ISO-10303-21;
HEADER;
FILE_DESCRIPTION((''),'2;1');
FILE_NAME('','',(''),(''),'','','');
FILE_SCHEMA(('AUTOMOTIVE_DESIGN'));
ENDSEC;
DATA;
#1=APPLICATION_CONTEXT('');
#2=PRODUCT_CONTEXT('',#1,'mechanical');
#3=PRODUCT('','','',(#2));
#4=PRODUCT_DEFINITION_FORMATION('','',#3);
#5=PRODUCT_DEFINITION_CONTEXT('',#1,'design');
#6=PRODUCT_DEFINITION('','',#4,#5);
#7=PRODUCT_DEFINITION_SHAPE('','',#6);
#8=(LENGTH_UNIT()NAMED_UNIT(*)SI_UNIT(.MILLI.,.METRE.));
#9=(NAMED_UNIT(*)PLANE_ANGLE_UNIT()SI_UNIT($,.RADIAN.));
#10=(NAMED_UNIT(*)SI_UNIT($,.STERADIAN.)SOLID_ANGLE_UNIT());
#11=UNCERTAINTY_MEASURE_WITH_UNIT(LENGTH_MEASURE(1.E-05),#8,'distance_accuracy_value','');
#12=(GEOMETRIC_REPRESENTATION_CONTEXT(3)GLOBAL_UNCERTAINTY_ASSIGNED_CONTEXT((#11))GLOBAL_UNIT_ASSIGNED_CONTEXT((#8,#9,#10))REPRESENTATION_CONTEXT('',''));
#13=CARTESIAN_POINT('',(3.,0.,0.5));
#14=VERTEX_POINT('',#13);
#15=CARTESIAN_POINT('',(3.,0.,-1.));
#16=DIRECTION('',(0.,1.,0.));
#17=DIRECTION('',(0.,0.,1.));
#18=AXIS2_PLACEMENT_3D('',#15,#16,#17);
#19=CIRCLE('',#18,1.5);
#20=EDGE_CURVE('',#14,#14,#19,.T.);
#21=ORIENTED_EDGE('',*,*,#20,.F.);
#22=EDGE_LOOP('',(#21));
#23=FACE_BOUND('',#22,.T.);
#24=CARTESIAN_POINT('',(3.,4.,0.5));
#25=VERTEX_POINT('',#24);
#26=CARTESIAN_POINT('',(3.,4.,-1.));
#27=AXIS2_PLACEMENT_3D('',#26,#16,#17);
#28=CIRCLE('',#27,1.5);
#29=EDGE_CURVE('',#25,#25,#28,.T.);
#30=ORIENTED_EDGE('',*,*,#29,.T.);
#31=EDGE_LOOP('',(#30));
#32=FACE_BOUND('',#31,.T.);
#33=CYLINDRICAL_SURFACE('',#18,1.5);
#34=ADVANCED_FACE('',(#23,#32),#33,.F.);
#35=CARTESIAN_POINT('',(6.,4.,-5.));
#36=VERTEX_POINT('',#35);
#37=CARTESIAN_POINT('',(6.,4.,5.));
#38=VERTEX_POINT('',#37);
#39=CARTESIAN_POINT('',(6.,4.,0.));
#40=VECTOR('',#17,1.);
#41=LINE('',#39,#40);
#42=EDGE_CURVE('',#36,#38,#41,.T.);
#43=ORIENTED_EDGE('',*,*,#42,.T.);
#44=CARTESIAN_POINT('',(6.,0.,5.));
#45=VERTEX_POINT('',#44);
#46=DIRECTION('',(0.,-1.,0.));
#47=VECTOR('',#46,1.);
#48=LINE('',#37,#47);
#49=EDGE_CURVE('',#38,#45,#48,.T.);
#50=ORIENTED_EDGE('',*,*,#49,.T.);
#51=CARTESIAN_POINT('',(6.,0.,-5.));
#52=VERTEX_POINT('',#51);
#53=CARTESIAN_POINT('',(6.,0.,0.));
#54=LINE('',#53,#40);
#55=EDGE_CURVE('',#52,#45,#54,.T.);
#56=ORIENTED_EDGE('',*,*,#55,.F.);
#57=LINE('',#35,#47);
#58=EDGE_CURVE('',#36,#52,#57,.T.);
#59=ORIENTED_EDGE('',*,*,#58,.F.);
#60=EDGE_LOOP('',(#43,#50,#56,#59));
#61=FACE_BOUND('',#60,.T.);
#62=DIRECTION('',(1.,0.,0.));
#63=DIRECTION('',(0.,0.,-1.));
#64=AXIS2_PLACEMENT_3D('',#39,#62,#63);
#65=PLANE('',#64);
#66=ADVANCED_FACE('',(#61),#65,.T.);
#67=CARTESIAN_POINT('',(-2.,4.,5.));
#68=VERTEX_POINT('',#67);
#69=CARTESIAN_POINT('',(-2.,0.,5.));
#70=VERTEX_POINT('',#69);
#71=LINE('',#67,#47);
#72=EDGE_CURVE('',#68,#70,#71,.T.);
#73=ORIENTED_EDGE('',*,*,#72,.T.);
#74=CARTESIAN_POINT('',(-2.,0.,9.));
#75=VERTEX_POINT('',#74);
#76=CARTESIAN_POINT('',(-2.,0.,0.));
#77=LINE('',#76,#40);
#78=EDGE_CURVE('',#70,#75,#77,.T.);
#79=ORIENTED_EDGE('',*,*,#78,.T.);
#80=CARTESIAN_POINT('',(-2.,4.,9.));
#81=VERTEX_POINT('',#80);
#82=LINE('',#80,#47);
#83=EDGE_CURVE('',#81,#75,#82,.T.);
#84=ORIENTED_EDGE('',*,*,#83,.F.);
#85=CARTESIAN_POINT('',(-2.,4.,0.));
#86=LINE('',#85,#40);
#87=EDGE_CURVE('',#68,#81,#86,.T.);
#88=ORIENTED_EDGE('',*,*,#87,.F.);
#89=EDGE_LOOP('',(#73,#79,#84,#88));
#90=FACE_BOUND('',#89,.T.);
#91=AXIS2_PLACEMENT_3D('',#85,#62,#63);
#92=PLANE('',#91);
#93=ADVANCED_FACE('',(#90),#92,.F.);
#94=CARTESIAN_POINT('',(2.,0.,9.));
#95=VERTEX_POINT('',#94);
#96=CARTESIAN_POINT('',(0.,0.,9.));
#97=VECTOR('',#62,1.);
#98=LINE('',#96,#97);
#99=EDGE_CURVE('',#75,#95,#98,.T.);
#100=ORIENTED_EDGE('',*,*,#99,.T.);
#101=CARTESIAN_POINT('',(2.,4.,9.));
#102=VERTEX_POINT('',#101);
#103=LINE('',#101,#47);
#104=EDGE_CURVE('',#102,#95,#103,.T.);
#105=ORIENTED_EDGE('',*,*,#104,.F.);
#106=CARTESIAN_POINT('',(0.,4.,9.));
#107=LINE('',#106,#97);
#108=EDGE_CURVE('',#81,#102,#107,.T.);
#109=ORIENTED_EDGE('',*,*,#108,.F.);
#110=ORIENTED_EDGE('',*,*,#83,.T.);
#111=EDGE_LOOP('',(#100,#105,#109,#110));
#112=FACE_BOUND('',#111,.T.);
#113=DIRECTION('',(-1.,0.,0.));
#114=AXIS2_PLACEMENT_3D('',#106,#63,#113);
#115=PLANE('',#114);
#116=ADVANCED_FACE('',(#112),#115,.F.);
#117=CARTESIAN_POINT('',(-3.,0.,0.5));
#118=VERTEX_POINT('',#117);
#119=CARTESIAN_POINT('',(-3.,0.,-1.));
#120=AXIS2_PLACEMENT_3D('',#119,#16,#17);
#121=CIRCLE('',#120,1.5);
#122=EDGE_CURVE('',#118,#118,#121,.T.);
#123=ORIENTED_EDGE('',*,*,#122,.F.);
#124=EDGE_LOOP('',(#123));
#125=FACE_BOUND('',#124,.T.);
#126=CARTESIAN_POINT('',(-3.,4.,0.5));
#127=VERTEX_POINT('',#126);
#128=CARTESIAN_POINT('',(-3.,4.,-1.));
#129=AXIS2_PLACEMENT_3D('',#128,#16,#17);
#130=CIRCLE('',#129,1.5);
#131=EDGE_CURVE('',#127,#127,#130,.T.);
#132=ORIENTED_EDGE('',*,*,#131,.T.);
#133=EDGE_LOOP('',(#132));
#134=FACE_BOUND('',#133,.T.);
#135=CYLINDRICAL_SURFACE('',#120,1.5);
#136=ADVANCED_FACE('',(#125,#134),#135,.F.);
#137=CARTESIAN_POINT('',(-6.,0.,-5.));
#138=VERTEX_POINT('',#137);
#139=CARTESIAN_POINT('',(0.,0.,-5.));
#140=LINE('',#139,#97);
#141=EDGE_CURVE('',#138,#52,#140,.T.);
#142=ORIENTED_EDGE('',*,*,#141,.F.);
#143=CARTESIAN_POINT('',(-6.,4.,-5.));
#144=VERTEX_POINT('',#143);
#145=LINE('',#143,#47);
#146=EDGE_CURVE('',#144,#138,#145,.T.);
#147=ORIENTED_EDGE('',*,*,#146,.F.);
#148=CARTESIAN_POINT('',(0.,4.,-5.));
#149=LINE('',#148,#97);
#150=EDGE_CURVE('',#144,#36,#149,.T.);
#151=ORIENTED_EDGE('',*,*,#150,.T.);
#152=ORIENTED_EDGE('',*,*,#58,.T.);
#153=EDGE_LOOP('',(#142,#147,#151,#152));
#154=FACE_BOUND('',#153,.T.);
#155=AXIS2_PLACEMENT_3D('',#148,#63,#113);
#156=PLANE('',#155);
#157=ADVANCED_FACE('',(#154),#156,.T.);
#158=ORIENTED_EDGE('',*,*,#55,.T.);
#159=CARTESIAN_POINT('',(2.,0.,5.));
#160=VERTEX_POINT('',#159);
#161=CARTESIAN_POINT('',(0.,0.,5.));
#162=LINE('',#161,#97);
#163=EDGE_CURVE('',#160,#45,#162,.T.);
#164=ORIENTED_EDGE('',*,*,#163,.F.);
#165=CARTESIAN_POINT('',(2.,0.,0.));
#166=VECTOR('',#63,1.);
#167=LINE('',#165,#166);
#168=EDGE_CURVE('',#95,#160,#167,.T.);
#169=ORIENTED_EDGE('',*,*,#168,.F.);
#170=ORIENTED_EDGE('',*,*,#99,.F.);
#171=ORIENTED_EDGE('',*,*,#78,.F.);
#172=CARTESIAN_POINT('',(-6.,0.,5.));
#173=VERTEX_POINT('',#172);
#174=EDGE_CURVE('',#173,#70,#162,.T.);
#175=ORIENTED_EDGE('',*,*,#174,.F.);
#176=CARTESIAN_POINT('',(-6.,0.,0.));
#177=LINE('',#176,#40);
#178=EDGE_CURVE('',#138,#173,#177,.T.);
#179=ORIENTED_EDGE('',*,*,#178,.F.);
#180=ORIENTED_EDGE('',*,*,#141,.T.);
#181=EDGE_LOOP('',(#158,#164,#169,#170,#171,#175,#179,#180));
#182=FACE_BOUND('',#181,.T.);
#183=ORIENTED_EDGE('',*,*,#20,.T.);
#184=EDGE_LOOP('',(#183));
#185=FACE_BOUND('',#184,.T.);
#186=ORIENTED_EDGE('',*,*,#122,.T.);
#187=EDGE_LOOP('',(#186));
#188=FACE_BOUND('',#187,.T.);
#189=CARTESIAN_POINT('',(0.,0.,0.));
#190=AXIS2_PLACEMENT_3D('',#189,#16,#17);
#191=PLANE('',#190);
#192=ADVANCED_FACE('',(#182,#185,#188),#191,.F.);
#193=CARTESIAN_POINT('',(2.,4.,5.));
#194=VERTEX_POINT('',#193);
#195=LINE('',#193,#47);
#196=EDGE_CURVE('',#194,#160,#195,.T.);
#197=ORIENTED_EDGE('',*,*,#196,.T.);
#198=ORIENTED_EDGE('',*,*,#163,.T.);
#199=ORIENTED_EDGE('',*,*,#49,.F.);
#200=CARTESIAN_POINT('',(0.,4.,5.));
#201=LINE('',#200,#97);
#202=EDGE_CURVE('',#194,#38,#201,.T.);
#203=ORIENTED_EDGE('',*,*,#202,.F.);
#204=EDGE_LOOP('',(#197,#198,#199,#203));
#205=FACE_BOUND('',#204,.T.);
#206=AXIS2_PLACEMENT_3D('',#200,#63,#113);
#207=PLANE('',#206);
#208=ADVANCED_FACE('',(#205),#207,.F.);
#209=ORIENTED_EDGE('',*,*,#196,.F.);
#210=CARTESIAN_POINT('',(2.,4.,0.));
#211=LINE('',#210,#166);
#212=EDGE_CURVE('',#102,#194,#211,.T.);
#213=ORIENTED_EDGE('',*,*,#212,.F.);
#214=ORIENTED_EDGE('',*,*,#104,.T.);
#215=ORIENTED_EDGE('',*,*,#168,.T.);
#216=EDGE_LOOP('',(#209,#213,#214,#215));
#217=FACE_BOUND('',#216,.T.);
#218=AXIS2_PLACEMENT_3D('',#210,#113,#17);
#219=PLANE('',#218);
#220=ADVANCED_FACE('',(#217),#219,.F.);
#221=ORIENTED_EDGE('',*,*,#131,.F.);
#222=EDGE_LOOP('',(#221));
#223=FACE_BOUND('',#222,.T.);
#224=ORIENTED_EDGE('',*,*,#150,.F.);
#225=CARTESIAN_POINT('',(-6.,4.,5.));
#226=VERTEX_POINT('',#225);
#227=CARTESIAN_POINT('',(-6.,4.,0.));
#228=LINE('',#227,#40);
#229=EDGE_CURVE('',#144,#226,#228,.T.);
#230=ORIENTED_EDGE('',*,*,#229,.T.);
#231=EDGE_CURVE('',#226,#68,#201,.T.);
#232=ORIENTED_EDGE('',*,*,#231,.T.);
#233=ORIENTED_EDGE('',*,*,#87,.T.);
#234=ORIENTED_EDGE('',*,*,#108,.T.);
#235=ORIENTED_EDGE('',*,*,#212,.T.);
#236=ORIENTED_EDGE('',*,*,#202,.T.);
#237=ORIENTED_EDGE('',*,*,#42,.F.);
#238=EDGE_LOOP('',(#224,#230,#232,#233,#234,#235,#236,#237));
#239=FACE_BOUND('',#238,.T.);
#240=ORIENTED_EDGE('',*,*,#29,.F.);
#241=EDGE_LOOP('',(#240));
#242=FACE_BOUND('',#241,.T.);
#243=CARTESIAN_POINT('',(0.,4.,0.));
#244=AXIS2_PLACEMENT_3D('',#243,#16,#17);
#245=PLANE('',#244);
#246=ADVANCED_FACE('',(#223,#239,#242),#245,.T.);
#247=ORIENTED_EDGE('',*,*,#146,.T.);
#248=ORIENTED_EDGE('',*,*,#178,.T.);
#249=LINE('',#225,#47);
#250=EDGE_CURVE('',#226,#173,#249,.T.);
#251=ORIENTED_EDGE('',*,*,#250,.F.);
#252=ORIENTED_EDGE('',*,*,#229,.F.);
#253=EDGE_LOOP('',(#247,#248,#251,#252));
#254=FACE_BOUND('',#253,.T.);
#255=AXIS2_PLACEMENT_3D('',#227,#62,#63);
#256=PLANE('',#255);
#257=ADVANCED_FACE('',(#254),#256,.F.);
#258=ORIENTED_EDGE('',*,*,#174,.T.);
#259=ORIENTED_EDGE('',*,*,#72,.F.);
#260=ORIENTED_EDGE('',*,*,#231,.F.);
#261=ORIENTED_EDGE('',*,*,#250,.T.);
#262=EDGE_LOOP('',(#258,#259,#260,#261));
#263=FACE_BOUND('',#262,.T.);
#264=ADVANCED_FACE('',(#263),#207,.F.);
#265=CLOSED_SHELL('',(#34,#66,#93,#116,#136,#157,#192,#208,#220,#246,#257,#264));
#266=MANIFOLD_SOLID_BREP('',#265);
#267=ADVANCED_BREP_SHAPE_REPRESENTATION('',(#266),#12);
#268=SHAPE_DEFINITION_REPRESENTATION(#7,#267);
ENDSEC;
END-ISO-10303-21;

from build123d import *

# Parameters (mm, degrees)
SKETCH1_W           = 12
SKETCH1_H           = 10
SKETCH1_W_2         = 4
SKETCH1_H_2         = 4
BOSS_EXTRUDE1_DEPTH = 4
SKETCH2_R           = 1.5
CUT_EXTRUDE1_DEPTH  = 12.532562595


with BuildPart() as part:
    # Sketch1 → Boss-Extrude1 (new body)
    with BuildSketch(Plane(origin=(0, 0, 0), x_dir=(1, 0, 0), z_dir=(0, 1, 0))):
        Rectangle(SKETCH1_W, SKETCH1_H)
        with Locations((0, -7)):
            Rectangle(SKETCH1_W_2, SKETCH1_H_2)
    extrude(amount=BOSS_EXTRUDE1_DEPTH)

    # Sketch2 → Cut-Extrude1 (cut, through all)
    with BuildSketch(Plane(origin=(0, 4, 0), x_dir=(1, 0, 0), z_dir=(0, 1, 0))):
        with Locations(Location((-3, 1, 0), (0, 0, 270))):
            Circle(SKETCH2_R)
        with Locations(Location((3, 1, 0), (0, 0, 270))):
            Circle(SKETCH2_R)
    extrude(amount=-CUT_EXTRUDE1_DEPTH, mode=Mode.SUBTRACT)


solid = part.part
